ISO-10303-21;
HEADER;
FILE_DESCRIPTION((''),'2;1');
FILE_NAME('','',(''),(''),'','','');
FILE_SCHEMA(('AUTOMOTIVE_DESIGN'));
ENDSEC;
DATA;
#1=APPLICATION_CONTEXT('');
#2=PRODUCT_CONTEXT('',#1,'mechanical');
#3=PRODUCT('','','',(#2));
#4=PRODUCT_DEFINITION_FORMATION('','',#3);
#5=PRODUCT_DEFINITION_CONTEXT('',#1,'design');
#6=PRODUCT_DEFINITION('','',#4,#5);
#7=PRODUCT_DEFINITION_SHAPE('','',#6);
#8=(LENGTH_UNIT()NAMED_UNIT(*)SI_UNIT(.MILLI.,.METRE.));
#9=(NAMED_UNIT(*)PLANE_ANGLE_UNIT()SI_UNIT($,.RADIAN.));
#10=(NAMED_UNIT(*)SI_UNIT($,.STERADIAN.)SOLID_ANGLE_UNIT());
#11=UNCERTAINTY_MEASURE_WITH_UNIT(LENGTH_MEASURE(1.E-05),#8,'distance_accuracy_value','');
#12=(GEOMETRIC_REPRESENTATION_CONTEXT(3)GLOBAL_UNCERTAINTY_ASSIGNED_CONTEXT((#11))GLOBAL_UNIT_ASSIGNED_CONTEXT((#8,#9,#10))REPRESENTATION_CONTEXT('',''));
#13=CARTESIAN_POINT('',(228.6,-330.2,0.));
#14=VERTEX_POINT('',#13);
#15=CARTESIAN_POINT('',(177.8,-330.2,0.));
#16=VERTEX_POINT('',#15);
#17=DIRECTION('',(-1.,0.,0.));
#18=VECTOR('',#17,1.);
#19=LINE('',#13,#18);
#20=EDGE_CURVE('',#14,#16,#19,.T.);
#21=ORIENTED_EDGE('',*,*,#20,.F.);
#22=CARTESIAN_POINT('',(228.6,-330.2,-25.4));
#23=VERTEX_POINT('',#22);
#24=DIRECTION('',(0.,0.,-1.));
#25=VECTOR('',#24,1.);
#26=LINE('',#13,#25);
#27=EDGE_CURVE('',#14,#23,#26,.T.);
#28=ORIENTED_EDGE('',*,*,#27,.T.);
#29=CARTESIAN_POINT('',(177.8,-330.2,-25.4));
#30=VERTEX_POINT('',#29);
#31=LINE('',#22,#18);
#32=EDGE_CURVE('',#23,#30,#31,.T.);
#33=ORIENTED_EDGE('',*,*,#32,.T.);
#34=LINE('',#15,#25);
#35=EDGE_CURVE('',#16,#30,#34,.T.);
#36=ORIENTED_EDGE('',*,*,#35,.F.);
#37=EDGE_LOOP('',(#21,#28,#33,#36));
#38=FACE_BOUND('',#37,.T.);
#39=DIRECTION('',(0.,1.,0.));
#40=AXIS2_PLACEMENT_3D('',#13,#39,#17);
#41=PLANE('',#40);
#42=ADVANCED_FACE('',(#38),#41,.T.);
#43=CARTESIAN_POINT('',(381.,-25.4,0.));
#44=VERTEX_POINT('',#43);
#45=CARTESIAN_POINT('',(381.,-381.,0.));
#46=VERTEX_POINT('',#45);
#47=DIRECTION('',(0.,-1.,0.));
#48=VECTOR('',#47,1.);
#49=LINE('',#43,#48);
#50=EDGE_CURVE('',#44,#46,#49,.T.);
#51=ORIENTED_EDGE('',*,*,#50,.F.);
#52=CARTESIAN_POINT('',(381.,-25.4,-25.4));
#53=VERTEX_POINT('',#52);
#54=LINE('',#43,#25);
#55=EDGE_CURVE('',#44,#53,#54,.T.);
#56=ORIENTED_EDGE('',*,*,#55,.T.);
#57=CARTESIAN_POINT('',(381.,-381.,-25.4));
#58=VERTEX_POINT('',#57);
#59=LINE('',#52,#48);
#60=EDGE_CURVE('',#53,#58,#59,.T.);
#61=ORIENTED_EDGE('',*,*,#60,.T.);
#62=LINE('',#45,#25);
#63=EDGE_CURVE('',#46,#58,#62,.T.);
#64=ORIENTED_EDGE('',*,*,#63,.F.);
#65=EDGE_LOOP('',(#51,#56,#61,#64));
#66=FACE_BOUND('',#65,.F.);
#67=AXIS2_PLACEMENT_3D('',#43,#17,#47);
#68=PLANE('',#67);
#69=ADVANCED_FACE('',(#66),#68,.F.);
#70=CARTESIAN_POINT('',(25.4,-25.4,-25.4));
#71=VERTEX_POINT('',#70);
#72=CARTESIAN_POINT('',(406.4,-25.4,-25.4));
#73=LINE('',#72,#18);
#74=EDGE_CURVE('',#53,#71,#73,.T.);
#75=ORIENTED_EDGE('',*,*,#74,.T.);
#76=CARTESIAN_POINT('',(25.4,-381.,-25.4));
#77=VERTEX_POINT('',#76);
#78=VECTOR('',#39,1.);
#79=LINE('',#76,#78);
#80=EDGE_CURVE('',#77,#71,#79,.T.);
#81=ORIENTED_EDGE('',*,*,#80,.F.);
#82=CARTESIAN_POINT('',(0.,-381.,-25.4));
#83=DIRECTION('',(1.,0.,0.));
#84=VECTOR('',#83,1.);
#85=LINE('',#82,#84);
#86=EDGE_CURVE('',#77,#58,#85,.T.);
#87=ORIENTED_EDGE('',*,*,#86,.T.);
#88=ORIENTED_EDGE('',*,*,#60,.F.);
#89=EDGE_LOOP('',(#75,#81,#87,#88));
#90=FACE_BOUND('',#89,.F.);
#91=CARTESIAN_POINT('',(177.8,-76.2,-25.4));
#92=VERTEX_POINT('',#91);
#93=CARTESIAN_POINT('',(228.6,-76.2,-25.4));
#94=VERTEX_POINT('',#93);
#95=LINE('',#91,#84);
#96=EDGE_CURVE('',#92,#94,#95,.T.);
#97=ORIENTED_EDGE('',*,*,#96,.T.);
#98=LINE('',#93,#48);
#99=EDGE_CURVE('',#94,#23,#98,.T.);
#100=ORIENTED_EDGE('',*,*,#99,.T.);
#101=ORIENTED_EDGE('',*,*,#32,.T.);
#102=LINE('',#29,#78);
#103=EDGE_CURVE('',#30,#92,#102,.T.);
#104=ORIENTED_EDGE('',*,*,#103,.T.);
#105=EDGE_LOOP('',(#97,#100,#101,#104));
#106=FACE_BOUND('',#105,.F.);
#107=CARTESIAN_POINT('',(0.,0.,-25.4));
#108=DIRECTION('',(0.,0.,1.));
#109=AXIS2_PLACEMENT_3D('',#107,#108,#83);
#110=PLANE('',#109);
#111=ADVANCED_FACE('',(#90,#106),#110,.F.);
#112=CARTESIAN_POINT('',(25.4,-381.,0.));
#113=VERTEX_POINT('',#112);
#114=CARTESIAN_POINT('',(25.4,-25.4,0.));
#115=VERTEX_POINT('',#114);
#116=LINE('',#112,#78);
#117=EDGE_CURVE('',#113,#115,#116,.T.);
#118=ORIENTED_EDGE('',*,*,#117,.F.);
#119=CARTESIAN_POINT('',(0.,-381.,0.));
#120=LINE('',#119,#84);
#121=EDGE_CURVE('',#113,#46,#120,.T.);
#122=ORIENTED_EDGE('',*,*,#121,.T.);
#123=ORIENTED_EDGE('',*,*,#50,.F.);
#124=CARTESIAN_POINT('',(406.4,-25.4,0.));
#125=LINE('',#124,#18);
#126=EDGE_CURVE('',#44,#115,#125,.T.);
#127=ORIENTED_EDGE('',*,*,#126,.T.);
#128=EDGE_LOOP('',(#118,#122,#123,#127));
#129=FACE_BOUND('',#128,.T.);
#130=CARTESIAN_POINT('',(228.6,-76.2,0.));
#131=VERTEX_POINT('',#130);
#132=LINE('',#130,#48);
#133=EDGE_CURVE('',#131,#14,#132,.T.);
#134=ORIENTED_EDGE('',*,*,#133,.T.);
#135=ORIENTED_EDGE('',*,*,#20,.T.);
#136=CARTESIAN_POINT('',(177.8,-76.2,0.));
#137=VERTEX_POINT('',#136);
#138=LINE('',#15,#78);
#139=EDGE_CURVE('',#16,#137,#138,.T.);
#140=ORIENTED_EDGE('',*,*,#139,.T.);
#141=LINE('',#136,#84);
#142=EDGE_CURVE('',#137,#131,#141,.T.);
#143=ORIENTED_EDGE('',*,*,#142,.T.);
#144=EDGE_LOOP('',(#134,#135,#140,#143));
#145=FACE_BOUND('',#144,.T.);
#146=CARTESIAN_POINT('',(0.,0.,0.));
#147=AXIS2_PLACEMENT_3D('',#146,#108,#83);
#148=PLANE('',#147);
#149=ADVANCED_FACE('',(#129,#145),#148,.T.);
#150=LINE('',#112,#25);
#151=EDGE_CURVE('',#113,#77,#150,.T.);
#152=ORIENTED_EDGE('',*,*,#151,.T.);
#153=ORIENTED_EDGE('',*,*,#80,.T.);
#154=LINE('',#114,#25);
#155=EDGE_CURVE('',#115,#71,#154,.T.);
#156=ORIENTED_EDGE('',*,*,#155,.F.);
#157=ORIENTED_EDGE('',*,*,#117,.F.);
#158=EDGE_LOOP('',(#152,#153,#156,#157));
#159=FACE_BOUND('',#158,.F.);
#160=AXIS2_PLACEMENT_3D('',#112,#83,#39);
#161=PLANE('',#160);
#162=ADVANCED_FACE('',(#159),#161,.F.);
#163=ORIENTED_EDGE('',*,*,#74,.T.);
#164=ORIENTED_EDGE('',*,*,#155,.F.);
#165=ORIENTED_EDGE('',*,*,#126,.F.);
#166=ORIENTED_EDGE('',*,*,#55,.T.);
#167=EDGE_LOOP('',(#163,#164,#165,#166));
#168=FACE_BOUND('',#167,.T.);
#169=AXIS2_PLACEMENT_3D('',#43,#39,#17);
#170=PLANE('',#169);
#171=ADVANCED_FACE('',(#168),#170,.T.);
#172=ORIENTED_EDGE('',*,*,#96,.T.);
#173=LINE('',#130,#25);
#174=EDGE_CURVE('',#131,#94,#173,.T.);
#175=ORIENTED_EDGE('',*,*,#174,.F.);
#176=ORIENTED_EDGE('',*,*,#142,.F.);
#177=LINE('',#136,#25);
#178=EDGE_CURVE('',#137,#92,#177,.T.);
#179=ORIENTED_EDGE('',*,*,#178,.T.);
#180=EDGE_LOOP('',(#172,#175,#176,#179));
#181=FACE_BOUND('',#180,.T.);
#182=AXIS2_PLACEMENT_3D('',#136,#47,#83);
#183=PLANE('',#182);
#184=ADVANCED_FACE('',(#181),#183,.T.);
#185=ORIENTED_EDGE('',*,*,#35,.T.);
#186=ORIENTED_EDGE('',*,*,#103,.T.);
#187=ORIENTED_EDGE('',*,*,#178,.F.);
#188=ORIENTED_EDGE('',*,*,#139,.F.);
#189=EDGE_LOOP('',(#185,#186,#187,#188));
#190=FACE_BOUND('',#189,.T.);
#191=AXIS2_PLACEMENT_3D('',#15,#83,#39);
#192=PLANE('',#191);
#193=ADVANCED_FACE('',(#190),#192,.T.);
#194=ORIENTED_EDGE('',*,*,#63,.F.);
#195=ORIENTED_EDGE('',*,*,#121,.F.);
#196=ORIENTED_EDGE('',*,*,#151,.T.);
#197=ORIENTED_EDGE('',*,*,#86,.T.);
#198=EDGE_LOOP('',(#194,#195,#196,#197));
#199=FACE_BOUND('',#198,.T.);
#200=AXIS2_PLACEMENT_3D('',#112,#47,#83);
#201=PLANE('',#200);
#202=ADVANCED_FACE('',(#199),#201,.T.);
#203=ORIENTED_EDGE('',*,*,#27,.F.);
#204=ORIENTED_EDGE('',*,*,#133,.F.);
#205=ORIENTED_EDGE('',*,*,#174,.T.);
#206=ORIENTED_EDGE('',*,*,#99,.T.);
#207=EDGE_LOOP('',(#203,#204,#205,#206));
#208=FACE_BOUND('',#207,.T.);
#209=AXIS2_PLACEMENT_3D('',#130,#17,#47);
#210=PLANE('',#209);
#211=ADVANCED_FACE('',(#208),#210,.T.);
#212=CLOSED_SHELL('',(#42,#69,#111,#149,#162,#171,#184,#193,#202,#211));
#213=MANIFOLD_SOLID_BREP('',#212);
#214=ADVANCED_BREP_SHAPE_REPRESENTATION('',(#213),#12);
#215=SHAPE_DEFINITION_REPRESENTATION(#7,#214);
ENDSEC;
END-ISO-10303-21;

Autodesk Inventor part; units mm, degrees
ref_plane "YZ Plane" through (0, 0, 0) normal (1, 0, 0) x (0, 1, 0)
ref_plane "XZ Plane" through (0, 0, 0) normal (0, 1, 0) x (-1, 0, 0)
ref_plane "XY Plane" through (0, 0, 0) normal (0, 0, 1) x (1, 0, 0)
sketch "Sketch1" plane through (0, 0, 0) normal (0, 0, 1) x (1, 0, 0)
  line L0 (0, 0) -> (812.8, 0) construction
  line L1 (812.8, 0) -> (812.8, -406.4) construction
  line L2 (812.8, -406.4) -> (0, -406.4) construction
  line L3 (0, -406.4) -> (0, 0) construction
  line L4 (0, 0) -> (406.4, 0)
  line L5 (406.4, 0) -> (406.4, -25.4)
  line L6 (406.4, -25.4) -> (0, -25.4)
  line L7 (0, -25.4) -> (0, 0)
  line L8 (406.4, -25.4) -> (381, -25.4)
  line L9 (381, -25.4) -> (381, -406.4)
  line L10 (381, -406.4) -> (406.4, -406.4)
  line L11 (406.4, -406.4) -> (406.4, -25.4)
  line L12 (381, -406.4) -> (0, -406.4)
  line L13 (0, -406.4) -> (0, -381)
  line L14 (0, -381) -> (381, -381)
  line L15 (381, -381) -> (381, -406.4)
  line L16 (0, -381) -> (25.4, -381)
  line L17 (25.4, -381) -> (25.4, -25.4)
  line L18 (25.4, -25.4) -> (0, -25.4)
  line L19 (0, -25.4) -> (0, -381)
  dimension "d1" = 812.8
  dimension "d5" = 406.4
  dimension "d6" = 25.4
  dimension "d7" = 25.4
  dimension "d8" = 381
  dimension "d9" = 381
  dimension "d10" = 25.4
  dimension "d11" = 25.4
extrude "Extrusion1" add sketch "Sketch1" against normal blind 25.4 contours L6 L9 L14 L17
sketch "Sketch3" plane through (0, 0, 0) normal (0, 0, 1) x (1, 0, 0)
  line L0 (-406.4, 0) -> (406.4, 0) construction
  line L1 (406.4, 0) -> (406.4, -406.4) construction
  line L2 (406.4, -406.4) -> (-406.4, -406.4) construction
  line L3 (-406.4, -406.4) -> (-406.4, 0) construction
  line L4 (406.4, 0) -> (406.4, -406.4)
  line L5 (381, -381) -> (25.4, -381) projected
  line L6 (203.2, -381) -> (203.2, -355.6)
  line L7 (203.2, -355.6) -> (254, -355.6)
  line L8 (254, -355.6) -> (254, -50.8)
  line L9 (254, -50.8) -> (152.4, -50.8)
  line L10 (152.4, -50.8) -> (152.4, -355.6)
  line L11 (152.4, -355.6) -> (203.2, -355.6)
  point P0 (0, 0)
  dimension "d36" = 812.8
  dimension "d45" = 25.4
  dimension "d46" = 50.8
  dimension "d47" = 304.8
  dimension "d48" = 101.6
extrude "Extrusion3" cut sketch "Sketch3" against normal blind 25.4
sketch "Sketch4" plane through (0, 0, 0) normal (0, 0, 1) x (1, 0, 0)
  line L0 (152.4, -50.8) -> (152.4, -355.6) projected
  line L1 (152.4, -50.8) -> (177.8, -50.8)
  line L2 (177.8, -50.8) -> (177.8, -76.2)
  line L3 (177.8, -76.2) -> (152.4, -76.2)
  line L4 (152.4, -76.2) -> (152.4, -50.8)
  line L5 (254, -355.6) -> (254, -50.8) projected
  line L6 (254, -355.6) -> (228.6, -355.6)
  line L7 (228.6, -355.6) -> (228.6, -330.2)
  line L8 (228.6, -330.2) -> (254, -330.2)
  line L9 (254, -330.2) -> (254, -355.6)
  line L10 (228.6, -330.2) -> (177.8, -330.2)
  line L11 (177.8, -330.2) -> (177.8, -76.2)
  line L12 (177.8, -76.2) -> (228.6, -76.2)
  line L13 (228.6, -76.2) -> (228.6, -330.2)
  line L14 (152.4, -50.8) -> (254, -50.8)
  line L15 (254, -50.8) -> (254, -355.6)
  line L16 (254, -355.6) -> (152.4, -355.6)
  line L17 (152.4, -355.6) -> (152.4, -50.8)
  point P0 (0, 0)
  dimension "d51" = 25.4
  dimension "d52" = 25.4
  dimension "d53" = 25.4
  dimension "d54" = 25.4
extrude "Extrusion4" add sketch "Sketch4" against normal blind 25.4 contours L1 L2 L3 L0 | L3 L11 L10 L7 L16 L0 | L14 L5 L8 L13 L12 L2 | L7 L8 L5 L6
properties part number "JukeBox Top Panel SQ" material "Oak, Red"
